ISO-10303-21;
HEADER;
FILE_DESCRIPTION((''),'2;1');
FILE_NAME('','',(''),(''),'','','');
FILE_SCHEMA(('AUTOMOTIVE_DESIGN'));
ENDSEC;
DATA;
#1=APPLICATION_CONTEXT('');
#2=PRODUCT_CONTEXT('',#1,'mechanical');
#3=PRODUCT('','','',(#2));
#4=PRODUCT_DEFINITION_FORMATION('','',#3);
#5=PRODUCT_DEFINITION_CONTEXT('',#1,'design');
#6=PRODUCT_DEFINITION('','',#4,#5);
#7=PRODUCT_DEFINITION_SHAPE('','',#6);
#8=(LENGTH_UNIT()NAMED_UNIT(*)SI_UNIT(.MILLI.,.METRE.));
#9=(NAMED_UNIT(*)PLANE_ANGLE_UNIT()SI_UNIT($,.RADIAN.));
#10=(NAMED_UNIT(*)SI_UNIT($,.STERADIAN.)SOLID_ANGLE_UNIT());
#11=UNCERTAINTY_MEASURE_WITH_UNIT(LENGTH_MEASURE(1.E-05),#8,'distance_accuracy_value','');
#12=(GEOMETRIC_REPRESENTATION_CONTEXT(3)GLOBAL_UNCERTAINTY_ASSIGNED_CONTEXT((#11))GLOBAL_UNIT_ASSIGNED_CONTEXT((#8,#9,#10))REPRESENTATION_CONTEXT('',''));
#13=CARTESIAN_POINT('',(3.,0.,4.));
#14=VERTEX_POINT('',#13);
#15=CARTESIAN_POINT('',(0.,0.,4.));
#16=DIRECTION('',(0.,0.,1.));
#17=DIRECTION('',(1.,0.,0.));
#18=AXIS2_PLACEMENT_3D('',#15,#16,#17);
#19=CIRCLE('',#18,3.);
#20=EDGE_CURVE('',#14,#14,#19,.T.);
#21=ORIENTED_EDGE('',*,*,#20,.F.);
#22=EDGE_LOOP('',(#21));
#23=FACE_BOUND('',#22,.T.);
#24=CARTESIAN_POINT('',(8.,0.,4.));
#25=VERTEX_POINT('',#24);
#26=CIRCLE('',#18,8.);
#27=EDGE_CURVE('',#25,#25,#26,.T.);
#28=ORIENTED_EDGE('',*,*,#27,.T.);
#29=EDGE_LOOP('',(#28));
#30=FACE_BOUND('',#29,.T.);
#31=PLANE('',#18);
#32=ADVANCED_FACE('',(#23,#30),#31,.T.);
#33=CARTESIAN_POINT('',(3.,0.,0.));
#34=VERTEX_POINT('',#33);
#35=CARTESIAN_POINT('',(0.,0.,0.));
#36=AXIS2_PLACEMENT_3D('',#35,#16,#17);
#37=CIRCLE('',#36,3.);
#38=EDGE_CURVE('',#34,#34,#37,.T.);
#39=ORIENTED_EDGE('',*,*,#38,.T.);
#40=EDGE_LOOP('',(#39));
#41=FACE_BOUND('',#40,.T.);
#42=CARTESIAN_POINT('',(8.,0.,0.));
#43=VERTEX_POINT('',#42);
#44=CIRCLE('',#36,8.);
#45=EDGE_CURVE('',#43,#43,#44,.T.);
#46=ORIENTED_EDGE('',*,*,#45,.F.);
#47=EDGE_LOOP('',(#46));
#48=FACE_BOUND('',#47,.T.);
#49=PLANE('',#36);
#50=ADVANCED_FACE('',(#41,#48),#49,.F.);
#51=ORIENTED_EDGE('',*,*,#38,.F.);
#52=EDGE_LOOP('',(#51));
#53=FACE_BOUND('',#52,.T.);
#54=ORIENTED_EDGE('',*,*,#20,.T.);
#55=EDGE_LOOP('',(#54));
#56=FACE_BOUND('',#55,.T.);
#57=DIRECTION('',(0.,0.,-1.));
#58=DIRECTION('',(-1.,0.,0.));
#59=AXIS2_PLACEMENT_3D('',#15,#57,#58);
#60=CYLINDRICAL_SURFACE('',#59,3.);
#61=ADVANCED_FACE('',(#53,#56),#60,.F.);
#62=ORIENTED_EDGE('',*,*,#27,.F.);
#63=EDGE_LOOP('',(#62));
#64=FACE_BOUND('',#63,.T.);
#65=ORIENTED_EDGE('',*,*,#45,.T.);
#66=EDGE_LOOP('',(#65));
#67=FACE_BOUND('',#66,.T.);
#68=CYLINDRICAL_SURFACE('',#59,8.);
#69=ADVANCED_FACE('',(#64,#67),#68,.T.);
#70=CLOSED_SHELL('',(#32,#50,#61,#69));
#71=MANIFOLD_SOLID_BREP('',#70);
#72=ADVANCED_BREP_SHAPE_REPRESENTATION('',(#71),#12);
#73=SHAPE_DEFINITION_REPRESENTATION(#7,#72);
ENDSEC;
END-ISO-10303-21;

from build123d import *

# Parameters (mm, degrees)
ESBO_O1_R                = 8
ESBO_O1_R_2              = 3
RESSALTO_EXTRUS_O1_DEPTH = 4


with BuildPart() as part:
    # Esboço1 → Ressalto-extrusão1 (new body)
    with BuildSketch(Plane.XY):
        Circle(ESBO_O1_R)
        Circle(ESBO_O1_R_2, mode=Mode.SUBTRACT)
    extrude(amount=RESSALTO_EXTRUS_O1_DEPTH)


solid = part.part
